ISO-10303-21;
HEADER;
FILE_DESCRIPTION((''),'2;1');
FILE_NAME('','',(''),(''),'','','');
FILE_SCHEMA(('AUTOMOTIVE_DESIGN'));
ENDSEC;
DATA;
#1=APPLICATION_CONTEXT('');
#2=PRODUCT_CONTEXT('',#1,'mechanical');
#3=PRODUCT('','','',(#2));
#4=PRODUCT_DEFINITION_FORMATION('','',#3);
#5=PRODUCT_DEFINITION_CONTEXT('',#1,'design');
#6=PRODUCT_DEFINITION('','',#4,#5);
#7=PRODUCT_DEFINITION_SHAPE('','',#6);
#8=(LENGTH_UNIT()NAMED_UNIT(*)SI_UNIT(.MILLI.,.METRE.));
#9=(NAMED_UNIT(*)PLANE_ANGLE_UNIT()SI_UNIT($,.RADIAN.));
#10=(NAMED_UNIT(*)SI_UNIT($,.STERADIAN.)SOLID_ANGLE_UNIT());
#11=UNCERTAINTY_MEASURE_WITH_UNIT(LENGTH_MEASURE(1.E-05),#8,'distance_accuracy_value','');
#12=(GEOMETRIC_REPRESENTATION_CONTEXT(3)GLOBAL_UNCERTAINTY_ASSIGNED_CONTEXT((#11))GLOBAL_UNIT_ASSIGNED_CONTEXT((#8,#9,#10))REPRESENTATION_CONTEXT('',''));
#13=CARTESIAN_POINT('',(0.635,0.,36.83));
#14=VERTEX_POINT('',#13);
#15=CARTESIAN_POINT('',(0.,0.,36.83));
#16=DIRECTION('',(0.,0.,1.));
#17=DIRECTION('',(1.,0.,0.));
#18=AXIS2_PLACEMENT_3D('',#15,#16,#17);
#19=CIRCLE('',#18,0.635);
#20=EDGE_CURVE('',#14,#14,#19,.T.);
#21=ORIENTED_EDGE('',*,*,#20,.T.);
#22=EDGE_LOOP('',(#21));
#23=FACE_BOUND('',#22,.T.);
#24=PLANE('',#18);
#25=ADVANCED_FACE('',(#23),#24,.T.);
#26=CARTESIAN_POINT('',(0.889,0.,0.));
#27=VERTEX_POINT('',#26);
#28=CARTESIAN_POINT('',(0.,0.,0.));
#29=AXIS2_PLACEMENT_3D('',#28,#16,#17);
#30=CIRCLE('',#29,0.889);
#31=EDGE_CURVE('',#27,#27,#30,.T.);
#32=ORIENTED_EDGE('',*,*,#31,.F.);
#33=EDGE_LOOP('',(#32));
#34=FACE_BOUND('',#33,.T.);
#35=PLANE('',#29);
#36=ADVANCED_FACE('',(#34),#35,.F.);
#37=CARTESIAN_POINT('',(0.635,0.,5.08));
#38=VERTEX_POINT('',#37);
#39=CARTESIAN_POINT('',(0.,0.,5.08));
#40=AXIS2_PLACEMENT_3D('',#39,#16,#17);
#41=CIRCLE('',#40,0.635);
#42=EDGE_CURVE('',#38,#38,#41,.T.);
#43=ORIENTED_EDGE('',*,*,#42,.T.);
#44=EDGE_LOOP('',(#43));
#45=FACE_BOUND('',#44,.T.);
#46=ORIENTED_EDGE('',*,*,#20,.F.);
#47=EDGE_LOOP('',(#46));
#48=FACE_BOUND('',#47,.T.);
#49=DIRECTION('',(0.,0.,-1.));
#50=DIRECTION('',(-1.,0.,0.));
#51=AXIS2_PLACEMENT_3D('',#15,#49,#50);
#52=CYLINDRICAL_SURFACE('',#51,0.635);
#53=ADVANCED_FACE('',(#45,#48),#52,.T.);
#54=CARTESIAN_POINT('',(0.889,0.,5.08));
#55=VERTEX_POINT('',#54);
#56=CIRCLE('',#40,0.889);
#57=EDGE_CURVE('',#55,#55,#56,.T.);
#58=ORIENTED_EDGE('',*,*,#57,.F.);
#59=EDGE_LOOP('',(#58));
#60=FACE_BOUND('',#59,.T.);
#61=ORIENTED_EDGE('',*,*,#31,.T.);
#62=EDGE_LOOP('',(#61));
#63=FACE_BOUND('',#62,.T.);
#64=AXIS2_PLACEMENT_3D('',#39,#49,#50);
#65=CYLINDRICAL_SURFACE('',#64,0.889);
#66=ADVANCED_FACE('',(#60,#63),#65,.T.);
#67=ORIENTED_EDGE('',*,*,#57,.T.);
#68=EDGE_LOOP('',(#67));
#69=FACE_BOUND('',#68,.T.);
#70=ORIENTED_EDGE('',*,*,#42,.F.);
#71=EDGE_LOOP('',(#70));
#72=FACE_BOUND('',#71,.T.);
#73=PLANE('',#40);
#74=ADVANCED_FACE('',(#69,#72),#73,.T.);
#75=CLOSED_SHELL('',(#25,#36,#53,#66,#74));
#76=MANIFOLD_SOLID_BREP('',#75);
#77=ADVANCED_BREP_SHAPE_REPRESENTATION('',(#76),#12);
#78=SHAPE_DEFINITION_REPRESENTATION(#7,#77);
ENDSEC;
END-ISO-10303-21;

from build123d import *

# Parameters (mm, degrees)
SKETCH1_R           = 0.889
BOSS_EXTRUDE1_DEPTH = 5.08
SKETCH2_R           = 0.635
BOSS_EXTRUDE2_DEPTH = 31.75


with BuildPart() as part:
    # Sketch1 → Boss-Extrude1 (new body)
    with BuildSketch(Plane.XY):
        Circle(SKETCH1_R)
    extrude(amount=BOSS_EXTRUDE1_DEPTH)

    # Sketch2 → Boss-Extrude2 (add)
    with BuildSketch(Plane.XY.offset(5.08)):
        Circle(SKETCH2_R)
    extrude(amount=BOSS_EXTRUDE2_DEPTH)


solid = part.part
